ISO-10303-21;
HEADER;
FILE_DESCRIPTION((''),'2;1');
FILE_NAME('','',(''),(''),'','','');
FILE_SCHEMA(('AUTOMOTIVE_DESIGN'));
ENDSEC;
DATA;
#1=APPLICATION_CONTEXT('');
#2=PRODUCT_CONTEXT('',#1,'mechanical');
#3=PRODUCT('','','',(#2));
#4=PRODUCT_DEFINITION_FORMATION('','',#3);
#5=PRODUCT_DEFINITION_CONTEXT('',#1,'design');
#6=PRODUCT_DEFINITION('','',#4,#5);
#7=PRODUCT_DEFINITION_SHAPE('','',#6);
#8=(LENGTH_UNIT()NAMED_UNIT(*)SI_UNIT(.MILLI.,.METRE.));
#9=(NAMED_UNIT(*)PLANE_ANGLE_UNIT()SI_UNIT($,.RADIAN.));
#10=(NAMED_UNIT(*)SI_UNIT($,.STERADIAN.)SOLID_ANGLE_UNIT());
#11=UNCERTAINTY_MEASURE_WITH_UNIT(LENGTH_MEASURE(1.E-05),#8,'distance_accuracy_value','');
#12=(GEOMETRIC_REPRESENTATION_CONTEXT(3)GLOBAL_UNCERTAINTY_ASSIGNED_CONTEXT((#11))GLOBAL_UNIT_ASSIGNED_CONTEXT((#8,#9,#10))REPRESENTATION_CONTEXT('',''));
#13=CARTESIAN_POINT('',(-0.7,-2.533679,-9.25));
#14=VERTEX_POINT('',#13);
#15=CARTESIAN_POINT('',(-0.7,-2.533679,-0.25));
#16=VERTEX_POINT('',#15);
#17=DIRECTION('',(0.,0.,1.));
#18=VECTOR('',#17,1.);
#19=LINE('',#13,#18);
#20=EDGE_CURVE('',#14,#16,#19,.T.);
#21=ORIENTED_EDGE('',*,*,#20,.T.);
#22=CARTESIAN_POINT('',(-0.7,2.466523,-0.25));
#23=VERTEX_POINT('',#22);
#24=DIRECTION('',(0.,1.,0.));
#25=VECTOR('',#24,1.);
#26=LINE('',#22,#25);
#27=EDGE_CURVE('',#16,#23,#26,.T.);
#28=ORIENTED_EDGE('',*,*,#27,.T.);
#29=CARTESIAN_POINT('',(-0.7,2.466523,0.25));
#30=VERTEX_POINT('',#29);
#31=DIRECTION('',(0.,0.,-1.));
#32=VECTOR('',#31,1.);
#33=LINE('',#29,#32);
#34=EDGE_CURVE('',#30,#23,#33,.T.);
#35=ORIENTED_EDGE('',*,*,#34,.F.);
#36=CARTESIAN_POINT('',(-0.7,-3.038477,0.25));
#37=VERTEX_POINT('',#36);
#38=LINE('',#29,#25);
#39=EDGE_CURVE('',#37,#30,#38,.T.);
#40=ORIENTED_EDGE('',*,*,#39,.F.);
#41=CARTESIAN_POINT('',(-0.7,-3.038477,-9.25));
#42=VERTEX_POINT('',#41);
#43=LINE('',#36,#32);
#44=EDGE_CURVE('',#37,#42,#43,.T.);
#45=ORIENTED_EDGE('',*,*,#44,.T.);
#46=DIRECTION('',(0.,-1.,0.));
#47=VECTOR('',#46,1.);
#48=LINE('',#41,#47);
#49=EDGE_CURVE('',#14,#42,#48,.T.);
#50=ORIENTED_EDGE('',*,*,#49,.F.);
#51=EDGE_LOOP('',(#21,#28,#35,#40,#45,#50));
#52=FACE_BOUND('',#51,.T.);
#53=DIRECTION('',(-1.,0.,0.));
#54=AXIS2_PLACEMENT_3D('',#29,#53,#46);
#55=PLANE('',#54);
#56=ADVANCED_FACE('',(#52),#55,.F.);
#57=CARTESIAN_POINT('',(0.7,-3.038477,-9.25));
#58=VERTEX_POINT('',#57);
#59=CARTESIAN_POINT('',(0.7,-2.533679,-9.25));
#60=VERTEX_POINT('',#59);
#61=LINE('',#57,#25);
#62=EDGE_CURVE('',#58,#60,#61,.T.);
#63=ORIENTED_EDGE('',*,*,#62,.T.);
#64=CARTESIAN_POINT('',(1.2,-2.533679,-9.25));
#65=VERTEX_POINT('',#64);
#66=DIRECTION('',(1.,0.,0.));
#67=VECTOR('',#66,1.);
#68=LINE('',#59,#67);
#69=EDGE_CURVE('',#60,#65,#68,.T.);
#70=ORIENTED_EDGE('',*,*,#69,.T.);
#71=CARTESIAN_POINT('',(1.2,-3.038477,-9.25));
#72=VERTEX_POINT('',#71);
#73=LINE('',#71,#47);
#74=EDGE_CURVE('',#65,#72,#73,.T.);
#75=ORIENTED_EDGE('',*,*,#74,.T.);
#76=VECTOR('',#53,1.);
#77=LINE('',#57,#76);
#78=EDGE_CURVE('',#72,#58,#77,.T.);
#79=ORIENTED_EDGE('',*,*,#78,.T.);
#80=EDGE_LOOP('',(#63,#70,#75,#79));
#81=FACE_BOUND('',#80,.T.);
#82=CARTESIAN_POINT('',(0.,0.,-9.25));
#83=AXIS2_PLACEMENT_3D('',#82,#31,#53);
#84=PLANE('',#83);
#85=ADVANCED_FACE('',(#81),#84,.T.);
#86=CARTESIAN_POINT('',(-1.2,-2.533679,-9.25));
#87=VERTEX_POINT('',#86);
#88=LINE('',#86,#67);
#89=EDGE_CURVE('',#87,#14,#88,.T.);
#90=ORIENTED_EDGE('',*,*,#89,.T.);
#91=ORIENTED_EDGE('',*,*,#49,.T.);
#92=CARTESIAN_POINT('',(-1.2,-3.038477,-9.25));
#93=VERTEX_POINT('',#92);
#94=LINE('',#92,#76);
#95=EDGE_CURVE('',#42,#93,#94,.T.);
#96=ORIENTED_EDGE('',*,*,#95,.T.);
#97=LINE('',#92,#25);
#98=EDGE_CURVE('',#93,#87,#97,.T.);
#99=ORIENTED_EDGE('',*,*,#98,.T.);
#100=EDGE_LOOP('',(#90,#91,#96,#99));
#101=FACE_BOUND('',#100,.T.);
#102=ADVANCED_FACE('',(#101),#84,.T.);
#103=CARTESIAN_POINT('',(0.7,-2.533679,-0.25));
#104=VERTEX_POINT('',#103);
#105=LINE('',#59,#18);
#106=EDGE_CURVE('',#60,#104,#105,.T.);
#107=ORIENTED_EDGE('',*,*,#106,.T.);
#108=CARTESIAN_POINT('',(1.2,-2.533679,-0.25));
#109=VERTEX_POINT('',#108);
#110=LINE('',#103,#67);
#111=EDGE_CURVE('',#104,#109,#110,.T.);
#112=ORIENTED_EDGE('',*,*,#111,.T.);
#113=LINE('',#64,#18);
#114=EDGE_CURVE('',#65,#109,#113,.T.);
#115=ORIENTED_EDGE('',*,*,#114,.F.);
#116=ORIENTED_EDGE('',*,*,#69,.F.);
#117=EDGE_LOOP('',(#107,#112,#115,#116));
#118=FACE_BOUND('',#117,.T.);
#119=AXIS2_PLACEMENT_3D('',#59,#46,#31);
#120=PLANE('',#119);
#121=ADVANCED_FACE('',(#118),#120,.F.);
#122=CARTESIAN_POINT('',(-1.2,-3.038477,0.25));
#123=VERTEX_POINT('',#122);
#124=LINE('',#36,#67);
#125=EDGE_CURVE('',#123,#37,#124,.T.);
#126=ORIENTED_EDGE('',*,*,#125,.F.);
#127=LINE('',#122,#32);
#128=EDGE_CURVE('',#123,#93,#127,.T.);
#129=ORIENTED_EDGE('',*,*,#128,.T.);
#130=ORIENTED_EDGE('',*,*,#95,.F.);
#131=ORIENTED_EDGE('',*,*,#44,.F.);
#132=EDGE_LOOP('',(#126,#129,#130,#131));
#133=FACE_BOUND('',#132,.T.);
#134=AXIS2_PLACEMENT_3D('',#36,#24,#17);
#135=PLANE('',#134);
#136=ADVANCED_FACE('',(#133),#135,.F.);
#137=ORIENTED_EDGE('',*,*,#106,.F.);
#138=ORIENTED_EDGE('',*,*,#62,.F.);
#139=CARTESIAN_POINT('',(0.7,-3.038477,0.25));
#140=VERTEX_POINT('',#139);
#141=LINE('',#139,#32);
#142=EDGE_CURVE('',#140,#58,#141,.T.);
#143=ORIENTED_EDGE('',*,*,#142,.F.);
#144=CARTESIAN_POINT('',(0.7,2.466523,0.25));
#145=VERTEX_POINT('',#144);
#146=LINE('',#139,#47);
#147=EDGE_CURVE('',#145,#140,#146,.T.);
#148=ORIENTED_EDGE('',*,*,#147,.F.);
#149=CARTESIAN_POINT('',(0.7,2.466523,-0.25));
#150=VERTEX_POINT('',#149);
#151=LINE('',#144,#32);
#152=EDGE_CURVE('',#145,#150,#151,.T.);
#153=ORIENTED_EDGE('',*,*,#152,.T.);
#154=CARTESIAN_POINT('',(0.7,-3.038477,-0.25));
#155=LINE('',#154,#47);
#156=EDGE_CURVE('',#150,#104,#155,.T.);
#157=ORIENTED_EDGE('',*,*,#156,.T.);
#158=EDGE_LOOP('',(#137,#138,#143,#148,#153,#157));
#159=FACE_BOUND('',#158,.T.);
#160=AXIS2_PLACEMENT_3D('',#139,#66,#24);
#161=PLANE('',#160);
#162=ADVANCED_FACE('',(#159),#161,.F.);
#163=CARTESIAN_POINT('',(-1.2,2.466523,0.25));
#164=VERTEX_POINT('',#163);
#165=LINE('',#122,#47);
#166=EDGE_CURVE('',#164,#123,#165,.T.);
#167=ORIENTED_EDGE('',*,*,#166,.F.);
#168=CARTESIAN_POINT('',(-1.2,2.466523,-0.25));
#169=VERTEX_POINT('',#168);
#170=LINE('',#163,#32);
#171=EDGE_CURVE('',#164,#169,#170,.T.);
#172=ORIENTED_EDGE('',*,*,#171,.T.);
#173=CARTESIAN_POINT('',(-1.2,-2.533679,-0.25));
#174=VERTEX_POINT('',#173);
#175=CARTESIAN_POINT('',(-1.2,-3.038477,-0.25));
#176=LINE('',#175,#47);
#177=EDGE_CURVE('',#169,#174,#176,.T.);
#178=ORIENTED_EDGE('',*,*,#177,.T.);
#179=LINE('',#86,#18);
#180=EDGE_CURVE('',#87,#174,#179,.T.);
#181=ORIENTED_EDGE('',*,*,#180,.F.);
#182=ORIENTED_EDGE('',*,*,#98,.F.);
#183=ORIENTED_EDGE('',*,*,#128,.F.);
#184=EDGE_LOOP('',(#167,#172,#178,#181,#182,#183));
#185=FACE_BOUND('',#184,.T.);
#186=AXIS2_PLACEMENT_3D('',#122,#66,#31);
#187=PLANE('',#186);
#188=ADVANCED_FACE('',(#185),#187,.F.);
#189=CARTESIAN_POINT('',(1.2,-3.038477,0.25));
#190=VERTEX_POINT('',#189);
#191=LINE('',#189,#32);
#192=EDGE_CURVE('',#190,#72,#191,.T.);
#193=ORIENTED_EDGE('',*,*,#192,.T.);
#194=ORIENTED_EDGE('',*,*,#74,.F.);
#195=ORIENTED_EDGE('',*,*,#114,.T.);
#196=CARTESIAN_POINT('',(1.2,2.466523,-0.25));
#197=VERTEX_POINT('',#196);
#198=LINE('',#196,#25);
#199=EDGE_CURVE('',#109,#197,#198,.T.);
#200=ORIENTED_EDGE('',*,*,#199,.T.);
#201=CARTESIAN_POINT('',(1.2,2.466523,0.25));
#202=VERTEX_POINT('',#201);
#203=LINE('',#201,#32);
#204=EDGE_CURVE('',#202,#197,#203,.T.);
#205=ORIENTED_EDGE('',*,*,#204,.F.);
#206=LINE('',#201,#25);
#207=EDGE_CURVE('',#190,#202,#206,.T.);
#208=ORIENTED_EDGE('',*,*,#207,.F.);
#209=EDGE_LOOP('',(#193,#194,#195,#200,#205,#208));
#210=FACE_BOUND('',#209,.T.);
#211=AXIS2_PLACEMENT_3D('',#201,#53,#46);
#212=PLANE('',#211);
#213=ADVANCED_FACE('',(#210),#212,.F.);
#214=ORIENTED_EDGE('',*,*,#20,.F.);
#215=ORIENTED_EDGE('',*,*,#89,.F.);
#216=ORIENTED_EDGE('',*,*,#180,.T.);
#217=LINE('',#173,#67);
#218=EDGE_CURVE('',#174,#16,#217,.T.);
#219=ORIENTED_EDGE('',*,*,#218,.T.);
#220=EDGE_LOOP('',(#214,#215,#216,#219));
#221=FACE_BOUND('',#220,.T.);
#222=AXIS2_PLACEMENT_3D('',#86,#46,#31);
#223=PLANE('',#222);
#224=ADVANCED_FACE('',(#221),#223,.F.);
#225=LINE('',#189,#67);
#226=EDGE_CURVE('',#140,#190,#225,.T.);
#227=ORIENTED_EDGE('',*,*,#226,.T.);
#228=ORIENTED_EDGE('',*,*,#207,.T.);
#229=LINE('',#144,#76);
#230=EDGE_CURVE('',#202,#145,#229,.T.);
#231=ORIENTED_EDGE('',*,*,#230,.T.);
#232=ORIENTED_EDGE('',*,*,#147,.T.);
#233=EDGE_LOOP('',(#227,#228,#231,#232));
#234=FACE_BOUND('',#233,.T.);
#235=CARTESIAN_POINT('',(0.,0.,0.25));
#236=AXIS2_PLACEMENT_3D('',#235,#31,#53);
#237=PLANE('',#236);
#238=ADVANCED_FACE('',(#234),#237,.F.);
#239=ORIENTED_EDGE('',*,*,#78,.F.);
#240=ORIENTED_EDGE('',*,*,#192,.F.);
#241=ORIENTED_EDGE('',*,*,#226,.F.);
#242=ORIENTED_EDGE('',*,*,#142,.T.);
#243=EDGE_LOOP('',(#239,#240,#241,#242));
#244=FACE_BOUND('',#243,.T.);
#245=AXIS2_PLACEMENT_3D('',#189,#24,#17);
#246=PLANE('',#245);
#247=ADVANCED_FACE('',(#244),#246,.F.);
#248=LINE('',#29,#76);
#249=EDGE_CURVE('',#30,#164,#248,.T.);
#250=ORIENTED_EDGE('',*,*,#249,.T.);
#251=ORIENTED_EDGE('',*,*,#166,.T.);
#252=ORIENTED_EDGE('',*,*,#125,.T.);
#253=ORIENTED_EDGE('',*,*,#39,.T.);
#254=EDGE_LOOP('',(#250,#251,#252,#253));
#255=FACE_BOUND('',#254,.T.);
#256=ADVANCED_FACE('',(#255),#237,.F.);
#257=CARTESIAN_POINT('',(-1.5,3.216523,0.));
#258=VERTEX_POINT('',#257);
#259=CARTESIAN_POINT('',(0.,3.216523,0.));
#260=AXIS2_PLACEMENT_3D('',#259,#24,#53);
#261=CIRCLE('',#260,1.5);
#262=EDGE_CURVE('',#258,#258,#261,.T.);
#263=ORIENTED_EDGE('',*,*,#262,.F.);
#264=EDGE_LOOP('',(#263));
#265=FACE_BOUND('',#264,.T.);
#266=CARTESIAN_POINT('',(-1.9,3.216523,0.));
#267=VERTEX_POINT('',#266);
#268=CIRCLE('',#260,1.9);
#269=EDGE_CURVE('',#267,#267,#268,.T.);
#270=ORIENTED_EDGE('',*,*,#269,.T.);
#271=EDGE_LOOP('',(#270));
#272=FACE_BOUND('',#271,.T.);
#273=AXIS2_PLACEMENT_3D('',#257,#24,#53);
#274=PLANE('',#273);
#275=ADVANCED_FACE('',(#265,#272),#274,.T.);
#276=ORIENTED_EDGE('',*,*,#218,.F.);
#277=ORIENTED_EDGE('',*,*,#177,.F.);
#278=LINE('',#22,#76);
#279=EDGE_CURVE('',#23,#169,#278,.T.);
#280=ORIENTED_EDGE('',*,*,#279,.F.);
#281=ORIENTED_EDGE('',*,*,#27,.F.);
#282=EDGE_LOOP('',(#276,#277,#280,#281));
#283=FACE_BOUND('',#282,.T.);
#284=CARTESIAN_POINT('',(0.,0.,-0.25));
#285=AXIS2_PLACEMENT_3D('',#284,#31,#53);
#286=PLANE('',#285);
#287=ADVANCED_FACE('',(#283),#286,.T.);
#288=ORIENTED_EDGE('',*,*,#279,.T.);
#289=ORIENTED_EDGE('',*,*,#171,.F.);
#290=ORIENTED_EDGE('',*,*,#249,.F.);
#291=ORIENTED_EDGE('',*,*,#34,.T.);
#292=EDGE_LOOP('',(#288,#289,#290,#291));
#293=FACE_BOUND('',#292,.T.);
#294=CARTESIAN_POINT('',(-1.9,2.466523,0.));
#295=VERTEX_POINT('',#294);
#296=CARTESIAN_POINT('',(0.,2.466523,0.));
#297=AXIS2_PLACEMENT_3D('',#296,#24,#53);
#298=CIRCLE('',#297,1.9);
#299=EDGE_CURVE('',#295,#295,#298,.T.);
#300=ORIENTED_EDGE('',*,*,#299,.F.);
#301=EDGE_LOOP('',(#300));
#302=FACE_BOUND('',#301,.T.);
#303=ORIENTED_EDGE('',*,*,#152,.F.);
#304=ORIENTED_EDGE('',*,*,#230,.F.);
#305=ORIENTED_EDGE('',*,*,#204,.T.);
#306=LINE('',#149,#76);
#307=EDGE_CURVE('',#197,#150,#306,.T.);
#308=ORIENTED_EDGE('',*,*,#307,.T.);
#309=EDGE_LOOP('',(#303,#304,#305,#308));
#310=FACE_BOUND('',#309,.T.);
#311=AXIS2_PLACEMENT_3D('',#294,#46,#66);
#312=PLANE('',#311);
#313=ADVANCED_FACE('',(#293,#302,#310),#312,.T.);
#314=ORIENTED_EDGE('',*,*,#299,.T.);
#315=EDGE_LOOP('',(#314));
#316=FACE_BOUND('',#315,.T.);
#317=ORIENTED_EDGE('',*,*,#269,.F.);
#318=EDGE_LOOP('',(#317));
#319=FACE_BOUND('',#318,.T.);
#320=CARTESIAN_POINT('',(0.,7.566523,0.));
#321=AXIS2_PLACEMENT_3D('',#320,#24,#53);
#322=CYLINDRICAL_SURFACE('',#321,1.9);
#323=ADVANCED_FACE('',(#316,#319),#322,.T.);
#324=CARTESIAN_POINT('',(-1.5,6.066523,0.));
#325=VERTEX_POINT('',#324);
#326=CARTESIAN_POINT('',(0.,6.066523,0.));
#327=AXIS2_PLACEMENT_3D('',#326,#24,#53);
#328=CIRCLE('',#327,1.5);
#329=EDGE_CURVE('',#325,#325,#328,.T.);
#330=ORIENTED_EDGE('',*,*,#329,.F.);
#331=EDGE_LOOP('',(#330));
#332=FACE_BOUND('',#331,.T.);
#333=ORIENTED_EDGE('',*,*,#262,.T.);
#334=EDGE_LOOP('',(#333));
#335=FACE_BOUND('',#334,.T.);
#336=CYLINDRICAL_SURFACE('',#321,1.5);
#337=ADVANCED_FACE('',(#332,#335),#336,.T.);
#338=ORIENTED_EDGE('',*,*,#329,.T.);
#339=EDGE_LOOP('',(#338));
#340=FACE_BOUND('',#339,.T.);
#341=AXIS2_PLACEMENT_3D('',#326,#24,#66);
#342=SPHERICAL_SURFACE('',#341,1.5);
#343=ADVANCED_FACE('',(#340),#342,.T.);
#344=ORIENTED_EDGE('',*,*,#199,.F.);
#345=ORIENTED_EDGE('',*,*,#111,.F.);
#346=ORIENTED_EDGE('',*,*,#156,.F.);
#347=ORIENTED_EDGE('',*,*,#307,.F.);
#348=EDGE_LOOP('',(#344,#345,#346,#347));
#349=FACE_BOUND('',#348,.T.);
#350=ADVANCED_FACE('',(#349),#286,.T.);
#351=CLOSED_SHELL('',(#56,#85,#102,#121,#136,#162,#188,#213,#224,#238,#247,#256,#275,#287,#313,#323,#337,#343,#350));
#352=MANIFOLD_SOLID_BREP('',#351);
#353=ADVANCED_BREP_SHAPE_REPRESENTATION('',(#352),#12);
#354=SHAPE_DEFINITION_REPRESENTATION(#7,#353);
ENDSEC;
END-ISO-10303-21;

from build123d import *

# Parameters (mm, degrees)
SKICA2_W                = 0.5
SKICA2_H                = 5.505
P_IDAT_VYSUNUT_M1_DEPTH = 0.25
SKICA3_W                = 0.5
SKICA3_H                = 0.504797781
P_IDAT_VYSUNUT_M2_DEPTH = 9


with BuildPart() as part:
    # Skica1 → Rotovat1 (revolve)
    with BuildSketch(Plane.XY):
        with BuildLine():
            Line((-1.5, 6.066522781), (-1.5, 3.216522781))
            Line((-1.5, 3.216522781), (-1.9, 3.216522781))
            Line((-1.9, 3.216522781), (-1.9, 2.466522781))
            Line((-1.9, 2.466522781), (0, 2.466522781))
            Line((0, 2.466522781), (0, 7.566522781))
            ThreePointArc((0, 7.566522781), (-1.060660172, 7.127182953), (-1.5, 6.066522781))
        make_face()
    revolve(axis=Axis((0, 7.566522781, 0), (0, -1, 0)))

    # Skica2 → Přidat vysunutím1 (add, symmetric)
    with BuildSketch(Plane.XY):
        with Locations((0.95, -0.285977219)):
            Rectangle(SKICA2_W, SKICA2_H)
        with Locations((-0.95, -0.285977219)):
            Rectangle(SKICA2_W, SKICA2_H)
    extrude(amount=P_IDAT_VYSUNUT_M1_DEPTH, both=True)

    # Skica3 → Přidat vysunutím2 (add)
    with BuildSketch(Plane(origin=(0, 0, -0.25), x_dir=(-1, 0, 0), z_dir=(0, 0, -1))):
        with Locations((0.95, -2.786078329)):
            Rectangle(SKICA3_W, SKICA3_H)
        with Locations((-0.95, -2.786078329)):
            Rectangle(SKICA3_W, SKICA3_H)
    extrude(amount=P_IDAT_VYSUNUT_M2_DEPTH)


solid = part.part
